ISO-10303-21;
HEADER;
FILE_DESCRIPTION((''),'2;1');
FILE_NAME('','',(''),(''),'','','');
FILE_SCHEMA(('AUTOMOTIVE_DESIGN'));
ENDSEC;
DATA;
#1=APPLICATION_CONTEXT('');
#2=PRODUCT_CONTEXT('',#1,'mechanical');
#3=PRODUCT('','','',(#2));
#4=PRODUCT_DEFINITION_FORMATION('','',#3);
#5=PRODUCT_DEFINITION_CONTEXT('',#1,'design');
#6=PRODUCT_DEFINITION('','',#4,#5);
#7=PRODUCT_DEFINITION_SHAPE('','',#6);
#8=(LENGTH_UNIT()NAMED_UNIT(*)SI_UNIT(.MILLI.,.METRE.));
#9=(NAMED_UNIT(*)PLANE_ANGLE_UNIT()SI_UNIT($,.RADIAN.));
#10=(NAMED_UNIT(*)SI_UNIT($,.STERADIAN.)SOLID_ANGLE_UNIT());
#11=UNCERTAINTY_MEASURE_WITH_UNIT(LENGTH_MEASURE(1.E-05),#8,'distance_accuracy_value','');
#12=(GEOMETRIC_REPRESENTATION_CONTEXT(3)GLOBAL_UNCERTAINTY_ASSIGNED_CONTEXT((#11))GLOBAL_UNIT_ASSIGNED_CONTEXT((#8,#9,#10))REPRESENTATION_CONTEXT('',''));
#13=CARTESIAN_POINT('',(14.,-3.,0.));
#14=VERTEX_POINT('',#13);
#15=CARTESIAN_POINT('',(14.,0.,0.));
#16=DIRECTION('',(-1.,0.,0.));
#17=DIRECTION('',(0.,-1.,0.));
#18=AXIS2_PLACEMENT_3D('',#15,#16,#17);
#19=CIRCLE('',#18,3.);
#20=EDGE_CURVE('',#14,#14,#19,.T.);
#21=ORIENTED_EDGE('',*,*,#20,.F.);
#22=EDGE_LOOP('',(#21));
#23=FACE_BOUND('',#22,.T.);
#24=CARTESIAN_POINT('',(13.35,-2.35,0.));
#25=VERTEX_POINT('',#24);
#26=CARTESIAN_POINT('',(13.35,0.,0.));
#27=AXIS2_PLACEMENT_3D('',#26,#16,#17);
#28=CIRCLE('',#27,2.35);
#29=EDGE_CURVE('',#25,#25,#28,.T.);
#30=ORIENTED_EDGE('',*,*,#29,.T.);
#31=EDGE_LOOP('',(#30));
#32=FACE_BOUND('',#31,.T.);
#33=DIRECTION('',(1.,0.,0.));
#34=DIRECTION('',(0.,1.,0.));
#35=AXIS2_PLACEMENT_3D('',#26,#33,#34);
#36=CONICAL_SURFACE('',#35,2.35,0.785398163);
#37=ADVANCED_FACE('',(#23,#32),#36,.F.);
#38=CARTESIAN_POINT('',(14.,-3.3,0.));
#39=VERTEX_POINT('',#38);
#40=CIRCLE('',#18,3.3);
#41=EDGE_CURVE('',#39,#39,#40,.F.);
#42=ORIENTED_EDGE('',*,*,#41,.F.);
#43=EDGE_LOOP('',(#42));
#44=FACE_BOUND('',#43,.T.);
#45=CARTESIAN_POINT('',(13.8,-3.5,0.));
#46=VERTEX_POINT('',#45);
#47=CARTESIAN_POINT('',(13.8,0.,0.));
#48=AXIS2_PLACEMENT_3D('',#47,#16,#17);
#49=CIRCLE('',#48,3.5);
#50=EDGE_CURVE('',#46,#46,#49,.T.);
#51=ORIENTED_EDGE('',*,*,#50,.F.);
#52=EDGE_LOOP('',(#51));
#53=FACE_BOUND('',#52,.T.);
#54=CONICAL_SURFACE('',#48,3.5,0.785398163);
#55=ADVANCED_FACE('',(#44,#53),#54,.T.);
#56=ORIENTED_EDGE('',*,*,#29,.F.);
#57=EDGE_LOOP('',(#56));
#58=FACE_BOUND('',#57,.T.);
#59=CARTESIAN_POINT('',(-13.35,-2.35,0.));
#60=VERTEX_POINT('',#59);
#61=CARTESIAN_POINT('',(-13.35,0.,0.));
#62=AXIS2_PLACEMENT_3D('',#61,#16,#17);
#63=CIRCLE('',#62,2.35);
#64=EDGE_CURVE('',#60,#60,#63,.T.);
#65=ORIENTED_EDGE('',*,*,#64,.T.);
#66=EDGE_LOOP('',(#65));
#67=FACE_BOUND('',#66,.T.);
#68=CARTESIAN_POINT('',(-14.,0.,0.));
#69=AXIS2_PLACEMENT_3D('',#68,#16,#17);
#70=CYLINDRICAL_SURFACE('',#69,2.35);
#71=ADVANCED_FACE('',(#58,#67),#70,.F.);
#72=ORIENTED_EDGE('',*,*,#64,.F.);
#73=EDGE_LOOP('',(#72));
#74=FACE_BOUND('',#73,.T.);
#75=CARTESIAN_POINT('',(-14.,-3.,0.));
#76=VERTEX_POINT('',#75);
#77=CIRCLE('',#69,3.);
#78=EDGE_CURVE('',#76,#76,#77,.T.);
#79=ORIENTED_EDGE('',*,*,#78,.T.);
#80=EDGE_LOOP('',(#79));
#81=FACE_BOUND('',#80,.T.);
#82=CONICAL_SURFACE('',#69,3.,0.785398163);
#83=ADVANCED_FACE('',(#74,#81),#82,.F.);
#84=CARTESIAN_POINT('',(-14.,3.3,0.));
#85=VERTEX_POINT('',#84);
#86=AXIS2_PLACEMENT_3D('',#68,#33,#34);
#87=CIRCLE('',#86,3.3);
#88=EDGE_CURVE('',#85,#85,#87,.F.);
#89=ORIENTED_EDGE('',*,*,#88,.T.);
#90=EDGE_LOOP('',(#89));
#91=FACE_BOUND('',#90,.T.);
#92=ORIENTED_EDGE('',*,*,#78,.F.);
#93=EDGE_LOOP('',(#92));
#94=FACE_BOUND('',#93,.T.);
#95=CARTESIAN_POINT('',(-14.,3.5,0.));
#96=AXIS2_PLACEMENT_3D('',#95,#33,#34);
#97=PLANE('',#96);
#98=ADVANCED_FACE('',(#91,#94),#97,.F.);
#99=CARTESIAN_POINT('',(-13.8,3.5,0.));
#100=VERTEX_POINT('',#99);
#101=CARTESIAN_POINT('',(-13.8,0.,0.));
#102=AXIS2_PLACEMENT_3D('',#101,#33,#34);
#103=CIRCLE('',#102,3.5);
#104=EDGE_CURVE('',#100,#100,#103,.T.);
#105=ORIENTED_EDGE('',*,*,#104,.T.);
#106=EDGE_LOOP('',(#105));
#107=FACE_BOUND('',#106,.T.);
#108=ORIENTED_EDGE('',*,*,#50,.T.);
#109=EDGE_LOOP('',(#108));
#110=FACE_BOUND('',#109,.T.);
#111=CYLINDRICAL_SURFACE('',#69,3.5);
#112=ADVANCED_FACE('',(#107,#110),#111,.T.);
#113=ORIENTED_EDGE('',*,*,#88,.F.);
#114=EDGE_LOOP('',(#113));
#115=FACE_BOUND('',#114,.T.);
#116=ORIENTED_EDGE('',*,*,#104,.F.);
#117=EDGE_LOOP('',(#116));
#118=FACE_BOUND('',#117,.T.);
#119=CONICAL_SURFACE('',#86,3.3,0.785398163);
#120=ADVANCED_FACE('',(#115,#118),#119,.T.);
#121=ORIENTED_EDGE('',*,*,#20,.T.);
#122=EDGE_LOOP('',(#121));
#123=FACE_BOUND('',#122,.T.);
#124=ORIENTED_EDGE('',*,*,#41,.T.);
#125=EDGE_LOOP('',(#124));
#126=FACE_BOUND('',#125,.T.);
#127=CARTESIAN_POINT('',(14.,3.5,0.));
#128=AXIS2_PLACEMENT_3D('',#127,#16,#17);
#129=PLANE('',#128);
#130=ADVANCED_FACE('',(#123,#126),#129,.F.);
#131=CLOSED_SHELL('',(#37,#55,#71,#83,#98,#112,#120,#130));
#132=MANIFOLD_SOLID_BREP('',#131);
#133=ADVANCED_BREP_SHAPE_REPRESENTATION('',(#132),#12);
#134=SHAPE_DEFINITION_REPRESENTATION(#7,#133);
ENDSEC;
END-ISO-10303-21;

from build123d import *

# Parameters (mm, degrees)
CHAMFER1_SIZE = 0.2


with BuildPart() as part:
    # Sketch1 → Revolve1 (revolve)
    with BuildSketch(Plane.XY, mode=Mode.PRIVATE) as revolve1_sk:
        Polygon((-14, 3), (-13.35, 2.35), (13.35, 2.35), (14, 3), (14, 3.5), (-14, 3.5), align=None)
    revolve(revolve1_sk.sketch.rotate(Axis((-14, 0, 0), (1, 0, 0)), 180), axis=Axis((-14, 0, 0), (1, 0, 0)))

    # Chamfer1
    chamfer1_edges = [part.edges().sort_by_distance(p)[0] for p in [
        (-14, 3.5, 0),
        (14, 3.5, 0),
    ]]
    chamfer(chamfer1_edges, length=CHAMFER1_SIZE)


solid = part.part
